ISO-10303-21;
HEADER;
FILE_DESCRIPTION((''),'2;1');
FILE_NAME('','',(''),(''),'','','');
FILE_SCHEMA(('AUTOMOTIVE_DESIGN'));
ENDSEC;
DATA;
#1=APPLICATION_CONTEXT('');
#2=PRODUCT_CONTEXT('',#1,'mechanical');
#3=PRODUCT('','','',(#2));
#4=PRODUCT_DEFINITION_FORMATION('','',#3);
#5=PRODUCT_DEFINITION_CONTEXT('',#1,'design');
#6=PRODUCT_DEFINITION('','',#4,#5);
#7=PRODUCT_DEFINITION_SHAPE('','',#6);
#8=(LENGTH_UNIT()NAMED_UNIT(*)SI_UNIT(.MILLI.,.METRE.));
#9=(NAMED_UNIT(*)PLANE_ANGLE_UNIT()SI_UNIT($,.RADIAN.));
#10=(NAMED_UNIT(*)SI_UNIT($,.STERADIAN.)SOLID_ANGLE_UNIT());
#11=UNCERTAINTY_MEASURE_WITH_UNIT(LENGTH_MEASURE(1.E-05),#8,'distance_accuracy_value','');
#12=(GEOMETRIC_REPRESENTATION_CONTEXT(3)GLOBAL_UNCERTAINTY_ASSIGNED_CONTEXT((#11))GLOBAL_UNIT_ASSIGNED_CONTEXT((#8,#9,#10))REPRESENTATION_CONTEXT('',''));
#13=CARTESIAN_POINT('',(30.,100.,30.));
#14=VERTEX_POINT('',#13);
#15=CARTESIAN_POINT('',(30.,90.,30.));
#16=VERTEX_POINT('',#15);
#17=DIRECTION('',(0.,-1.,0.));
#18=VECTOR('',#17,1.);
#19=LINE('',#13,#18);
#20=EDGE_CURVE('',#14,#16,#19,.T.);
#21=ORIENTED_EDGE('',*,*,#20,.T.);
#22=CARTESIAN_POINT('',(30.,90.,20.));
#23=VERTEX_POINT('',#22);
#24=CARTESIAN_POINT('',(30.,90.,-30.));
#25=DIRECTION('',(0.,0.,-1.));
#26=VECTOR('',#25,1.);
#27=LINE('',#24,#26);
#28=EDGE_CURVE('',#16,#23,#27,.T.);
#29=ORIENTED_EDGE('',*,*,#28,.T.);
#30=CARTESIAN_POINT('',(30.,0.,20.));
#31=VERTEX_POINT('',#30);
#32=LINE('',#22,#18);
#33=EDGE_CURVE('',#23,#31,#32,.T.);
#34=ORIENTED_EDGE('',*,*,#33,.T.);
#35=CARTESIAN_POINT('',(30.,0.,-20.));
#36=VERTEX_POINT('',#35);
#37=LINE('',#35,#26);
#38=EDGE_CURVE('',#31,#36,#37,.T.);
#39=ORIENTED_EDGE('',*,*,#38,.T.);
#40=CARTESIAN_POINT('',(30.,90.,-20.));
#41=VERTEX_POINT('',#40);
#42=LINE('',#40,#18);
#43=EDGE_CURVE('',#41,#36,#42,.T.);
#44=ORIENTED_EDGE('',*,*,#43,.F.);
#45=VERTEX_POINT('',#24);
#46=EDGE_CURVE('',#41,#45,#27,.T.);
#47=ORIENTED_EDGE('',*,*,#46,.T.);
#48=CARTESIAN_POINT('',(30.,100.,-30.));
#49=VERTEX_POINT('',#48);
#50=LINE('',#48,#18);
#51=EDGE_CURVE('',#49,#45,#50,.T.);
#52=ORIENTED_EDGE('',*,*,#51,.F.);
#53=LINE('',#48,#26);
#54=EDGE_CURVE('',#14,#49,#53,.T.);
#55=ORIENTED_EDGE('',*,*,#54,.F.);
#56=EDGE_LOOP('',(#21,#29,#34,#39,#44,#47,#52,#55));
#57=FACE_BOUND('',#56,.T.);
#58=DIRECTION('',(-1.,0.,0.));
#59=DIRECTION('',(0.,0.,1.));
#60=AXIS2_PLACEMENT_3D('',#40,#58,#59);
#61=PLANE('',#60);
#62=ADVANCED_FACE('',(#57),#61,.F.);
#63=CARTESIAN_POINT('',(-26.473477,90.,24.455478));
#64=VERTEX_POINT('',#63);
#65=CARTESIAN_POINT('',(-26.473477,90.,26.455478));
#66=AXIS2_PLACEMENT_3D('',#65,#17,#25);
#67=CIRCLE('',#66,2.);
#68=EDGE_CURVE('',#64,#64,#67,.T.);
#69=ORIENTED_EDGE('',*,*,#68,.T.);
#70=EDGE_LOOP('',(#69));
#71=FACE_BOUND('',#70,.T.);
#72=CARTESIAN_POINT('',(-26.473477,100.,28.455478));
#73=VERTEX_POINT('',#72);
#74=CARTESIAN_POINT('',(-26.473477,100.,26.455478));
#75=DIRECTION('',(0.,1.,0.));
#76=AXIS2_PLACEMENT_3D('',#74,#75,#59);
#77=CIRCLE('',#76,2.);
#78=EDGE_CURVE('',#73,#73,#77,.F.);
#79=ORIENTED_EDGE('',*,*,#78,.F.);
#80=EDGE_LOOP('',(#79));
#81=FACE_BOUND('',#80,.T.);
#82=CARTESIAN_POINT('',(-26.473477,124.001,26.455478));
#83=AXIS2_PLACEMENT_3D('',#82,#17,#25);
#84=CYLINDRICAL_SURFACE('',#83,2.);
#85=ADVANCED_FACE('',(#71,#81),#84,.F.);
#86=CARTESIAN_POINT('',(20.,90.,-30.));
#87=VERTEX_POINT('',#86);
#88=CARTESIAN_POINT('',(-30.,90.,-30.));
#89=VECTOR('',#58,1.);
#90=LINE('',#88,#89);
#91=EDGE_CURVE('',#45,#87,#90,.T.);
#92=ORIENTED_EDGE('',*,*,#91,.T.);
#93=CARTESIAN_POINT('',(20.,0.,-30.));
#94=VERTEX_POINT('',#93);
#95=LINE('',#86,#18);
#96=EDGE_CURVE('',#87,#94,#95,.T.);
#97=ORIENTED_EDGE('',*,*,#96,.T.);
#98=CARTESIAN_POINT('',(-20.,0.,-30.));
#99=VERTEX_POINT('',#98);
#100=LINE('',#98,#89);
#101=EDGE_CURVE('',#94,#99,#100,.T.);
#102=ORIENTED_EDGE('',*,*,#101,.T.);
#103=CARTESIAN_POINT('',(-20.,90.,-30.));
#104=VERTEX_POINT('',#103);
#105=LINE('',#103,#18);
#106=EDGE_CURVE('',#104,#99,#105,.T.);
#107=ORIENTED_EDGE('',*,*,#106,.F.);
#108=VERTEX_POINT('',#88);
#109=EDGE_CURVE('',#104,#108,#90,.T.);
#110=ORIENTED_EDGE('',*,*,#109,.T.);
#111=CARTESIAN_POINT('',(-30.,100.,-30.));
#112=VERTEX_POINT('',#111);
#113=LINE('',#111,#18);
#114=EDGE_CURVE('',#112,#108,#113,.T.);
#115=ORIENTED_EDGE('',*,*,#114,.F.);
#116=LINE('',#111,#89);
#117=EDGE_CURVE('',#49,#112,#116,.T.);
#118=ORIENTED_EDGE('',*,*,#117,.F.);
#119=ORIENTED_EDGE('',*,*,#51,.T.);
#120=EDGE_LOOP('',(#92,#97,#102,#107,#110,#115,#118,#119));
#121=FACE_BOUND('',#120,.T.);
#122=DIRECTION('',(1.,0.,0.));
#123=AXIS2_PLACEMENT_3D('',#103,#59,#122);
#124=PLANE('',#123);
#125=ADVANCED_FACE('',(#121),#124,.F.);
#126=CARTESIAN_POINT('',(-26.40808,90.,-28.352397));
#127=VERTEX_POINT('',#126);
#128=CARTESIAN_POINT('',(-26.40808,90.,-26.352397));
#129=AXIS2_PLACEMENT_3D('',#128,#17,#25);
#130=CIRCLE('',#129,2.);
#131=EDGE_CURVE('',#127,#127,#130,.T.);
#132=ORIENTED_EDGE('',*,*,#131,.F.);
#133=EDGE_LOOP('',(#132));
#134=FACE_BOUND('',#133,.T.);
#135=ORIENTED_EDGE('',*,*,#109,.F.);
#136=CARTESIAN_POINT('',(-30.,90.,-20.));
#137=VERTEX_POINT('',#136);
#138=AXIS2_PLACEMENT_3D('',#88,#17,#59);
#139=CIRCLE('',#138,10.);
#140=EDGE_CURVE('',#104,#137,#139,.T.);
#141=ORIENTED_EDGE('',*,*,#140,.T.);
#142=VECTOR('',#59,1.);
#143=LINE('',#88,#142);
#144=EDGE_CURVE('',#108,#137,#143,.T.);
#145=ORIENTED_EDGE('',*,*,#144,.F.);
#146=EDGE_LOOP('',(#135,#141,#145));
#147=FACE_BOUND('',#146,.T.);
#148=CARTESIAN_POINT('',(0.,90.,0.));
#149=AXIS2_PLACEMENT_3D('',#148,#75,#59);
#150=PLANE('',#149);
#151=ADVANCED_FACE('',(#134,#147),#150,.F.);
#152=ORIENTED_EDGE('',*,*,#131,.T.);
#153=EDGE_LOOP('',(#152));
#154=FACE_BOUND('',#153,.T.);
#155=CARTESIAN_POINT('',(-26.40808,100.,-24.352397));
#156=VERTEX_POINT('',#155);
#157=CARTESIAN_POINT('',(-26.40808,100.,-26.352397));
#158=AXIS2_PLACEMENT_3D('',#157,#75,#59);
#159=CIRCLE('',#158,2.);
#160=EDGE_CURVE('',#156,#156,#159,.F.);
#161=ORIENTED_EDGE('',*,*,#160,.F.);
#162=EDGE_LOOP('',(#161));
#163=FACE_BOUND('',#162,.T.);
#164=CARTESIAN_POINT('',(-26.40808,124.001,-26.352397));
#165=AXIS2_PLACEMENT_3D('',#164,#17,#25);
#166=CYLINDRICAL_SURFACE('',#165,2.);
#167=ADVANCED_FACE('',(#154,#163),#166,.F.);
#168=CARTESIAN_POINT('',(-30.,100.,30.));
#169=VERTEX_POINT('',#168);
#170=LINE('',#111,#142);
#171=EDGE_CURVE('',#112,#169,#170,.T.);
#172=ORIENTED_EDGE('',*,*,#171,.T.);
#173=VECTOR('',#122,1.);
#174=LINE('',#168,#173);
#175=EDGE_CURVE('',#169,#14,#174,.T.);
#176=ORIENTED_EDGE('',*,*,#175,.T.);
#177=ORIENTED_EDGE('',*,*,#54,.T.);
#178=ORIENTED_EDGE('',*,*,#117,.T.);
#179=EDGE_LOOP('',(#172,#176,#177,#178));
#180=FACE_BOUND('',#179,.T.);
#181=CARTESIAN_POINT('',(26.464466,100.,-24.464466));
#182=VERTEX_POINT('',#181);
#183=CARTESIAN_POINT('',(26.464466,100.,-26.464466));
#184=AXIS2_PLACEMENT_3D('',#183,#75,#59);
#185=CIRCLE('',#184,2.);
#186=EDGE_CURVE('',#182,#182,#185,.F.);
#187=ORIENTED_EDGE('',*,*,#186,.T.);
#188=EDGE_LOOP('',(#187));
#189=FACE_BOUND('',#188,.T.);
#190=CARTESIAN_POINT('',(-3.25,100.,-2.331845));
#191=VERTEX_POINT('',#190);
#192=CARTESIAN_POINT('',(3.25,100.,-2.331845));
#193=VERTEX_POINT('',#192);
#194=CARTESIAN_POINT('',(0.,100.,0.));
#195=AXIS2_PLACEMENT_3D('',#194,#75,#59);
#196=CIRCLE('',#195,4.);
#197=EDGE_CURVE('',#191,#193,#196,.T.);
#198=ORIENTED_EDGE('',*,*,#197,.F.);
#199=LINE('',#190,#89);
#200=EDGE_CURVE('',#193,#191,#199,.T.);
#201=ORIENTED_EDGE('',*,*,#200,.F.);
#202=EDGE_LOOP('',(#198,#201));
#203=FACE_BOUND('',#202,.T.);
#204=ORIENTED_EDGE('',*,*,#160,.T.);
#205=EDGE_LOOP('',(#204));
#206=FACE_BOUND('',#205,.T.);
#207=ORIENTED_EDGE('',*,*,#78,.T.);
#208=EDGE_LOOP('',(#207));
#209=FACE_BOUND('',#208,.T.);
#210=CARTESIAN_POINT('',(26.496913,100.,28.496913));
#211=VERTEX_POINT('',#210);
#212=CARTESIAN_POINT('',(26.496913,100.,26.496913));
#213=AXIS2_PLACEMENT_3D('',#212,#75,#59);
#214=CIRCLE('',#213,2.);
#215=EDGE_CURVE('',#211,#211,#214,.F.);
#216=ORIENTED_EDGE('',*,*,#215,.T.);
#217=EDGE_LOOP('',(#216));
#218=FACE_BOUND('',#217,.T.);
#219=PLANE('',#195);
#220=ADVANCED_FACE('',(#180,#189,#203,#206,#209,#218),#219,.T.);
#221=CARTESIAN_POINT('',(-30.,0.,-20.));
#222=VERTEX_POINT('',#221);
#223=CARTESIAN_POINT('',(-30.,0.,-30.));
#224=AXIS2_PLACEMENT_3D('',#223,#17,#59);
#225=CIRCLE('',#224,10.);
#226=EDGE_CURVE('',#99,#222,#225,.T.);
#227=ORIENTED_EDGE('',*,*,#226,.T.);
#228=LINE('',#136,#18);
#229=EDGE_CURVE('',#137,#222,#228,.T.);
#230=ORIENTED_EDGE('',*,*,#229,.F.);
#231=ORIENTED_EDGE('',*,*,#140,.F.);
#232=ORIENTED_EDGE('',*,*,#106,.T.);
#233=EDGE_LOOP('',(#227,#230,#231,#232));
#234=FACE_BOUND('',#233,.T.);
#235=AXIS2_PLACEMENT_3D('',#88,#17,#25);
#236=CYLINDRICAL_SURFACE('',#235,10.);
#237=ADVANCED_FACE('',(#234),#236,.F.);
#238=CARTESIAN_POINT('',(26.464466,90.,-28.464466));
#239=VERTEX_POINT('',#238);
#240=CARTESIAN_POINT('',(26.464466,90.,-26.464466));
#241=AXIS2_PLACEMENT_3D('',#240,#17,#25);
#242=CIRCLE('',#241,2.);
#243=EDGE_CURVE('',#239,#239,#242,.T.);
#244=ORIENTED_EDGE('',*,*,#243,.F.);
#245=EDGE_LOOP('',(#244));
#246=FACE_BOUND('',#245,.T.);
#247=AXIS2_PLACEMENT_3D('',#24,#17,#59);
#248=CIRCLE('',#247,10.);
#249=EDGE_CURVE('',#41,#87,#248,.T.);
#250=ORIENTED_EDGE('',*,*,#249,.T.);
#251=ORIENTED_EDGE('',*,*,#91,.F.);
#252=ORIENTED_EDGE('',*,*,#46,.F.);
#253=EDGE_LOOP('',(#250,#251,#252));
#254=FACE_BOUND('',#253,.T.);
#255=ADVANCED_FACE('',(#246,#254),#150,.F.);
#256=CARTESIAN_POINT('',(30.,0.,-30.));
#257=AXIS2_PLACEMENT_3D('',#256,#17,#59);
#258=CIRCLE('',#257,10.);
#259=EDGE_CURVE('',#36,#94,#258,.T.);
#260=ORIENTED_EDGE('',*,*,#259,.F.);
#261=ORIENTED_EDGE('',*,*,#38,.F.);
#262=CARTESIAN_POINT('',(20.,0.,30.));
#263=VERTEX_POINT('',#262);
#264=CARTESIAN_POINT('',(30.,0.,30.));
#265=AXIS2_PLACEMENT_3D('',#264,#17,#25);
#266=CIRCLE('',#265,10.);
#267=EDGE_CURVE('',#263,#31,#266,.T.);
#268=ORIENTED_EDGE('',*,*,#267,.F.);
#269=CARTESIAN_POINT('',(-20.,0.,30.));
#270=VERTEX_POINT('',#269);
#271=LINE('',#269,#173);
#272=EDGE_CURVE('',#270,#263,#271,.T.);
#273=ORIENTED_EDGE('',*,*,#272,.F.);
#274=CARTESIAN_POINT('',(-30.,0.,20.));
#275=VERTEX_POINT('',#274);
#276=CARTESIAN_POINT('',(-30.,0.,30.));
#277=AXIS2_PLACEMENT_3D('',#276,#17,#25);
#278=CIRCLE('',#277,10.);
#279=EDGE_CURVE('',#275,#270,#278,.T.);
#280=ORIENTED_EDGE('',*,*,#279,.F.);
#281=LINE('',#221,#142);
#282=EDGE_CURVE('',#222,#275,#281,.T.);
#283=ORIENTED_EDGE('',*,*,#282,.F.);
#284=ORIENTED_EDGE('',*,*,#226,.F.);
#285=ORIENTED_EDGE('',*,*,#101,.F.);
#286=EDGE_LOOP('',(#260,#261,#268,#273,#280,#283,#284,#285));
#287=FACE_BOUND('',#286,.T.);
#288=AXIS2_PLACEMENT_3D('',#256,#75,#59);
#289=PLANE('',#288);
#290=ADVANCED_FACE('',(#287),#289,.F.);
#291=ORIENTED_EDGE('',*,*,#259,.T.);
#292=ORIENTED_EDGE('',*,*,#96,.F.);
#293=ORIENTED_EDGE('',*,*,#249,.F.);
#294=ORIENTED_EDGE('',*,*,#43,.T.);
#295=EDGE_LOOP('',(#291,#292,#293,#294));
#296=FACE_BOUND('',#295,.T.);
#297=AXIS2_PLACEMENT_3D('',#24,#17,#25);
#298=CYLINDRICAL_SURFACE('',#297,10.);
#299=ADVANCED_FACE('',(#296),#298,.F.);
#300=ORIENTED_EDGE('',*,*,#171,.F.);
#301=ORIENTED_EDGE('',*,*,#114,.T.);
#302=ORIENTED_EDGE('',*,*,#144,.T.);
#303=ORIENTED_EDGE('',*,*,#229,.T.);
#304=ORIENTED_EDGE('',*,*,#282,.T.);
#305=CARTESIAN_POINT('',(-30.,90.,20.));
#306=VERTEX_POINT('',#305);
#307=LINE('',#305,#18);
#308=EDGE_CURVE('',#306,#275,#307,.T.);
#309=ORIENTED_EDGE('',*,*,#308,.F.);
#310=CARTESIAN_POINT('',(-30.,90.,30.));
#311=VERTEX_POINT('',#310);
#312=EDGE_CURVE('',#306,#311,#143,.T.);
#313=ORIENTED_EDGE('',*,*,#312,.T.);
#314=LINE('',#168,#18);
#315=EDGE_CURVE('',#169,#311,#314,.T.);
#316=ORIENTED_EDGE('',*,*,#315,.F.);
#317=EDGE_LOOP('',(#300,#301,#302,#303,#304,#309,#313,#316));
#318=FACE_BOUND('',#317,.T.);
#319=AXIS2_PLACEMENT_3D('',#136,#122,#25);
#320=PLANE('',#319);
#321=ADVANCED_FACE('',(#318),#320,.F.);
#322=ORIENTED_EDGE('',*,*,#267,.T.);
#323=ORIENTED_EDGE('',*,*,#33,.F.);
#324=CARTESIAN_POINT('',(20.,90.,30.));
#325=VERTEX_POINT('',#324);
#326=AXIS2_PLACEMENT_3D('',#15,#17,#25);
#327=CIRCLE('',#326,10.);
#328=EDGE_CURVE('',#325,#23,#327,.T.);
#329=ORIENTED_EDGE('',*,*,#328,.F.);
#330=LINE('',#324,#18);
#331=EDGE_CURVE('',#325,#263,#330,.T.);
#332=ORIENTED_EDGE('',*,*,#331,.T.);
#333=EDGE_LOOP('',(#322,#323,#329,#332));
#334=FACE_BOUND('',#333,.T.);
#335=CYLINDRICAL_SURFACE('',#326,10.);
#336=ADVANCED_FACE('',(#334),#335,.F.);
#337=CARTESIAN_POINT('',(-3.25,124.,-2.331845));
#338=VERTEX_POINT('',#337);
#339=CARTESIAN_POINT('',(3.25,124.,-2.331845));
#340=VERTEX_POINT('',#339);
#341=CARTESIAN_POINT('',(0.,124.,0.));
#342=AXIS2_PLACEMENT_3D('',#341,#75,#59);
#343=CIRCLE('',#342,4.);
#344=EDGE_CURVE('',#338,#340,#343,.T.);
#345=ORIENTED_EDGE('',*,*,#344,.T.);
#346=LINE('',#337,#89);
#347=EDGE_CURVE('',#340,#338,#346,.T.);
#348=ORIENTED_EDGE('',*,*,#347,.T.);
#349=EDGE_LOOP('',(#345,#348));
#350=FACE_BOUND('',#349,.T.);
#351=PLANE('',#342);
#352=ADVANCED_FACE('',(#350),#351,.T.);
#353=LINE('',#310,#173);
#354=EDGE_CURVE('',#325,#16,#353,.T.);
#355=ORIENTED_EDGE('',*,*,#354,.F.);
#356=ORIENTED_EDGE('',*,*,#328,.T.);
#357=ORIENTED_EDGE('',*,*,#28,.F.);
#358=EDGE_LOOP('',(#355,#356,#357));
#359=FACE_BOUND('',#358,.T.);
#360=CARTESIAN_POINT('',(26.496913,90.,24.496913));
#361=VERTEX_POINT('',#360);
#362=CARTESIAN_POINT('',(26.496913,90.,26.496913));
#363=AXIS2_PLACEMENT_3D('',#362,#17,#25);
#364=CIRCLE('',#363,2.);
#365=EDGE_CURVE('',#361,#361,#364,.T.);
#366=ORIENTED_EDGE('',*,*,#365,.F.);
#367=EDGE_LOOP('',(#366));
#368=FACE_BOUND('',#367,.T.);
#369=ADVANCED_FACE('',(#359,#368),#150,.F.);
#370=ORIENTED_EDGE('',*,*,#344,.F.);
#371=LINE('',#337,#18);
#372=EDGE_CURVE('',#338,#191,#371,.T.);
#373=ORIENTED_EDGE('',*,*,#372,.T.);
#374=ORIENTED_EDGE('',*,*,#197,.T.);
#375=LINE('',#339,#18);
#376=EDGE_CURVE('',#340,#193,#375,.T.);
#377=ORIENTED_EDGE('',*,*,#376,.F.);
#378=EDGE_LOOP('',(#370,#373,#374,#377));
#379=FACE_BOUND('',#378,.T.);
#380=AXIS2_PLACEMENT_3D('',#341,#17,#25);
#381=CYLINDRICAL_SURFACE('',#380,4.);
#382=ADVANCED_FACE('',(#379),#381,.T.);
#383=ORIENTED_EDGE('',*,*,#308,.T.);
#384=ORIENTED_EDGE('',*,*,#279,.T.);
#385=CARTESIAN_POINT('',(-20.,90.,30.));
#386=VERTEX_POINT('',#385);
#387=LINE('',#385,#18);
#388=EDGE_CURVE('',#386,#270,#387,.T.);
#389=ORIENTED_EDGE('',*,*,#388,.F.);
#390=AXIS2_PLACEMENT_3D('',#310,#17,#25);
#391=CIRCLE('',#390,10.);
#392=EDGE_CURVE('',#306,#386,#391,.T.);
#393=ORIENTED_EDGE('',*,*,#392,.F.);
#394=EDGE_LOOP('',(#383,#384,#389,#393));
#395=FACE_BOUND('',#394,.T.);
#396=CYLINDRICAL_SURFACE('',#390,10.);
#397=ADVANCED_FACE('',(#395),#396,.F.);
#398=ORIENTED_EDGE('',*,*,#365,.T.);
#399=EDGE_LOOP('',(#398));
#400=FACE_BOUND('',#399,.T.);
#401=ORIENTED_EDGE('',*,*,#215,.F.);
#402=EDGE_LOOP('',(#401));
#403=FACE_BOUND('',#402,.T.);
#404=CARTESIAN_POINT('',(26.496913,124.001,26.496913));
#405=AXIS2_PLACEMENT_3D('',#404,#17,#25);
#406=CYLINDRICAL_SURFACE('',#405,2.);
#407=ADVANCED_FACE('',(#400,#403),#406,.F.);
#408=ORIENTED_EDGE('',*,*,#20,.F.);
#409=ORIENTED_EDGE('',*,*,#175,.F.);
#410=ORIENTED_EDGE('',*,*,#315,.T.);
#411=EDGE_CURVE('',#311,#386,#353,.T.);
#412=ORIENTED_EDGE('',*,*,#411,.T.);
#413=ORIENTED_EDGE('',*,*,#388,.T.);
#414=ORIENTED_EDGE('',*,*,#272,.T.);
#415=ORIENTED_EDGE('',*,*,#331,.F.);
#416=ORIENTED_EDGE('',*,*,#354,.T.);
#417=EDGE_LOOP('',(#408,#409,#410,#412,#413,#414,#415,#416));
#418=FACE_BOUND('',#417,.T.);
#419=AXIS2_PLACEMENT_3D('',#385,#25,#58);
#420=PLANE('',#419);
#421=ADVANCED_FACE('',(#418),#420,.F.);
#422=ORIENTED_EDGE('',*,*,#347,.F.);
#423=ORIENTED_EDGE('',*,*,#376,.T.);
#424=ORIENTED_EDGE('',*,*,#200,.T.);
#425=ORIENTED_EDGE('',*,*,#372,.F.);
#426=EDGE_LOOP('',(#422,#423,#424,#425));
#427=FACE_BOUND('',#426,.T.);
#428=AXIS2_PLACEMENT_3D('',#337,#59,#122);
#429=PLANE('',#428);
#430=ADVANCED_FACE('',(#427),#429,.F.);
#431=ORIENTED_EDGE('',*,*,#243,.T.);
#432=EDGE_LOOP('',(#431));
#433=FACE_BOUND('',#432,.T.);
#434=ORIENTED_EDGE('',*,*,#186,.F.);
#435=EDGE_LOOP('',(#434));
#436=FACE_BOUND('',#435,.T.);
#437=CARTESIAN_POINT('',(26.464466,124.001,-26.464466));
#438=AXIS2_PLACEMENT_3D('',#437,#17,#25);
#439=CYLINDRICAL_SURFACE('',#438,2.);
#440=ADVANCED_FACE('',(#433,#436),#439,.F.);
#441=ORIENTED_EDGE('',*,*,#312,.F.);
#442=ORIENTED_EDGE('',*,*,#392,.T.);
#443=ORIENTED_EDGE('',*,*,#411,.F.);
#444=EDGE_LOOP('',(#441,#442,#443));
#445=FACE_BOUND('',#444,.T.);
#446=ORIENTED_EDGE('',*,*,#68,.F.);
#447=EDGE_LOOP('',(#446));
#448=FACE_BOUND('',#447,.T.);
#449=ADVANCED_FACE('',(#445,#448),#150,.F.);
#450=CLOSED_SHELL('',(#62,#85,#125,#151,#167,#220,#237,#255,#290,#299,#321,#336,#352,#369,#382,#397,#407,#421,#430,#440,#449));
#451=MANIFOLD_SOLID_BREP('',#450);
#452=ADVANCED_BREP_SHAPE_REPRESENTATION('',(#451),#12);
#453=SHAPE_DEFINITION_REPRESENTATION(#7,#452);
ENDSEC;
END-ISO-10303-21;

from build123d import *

# Parameters (mm, degrees)
BOSS_EXTRUDE3_DEPTH = 90
SKETCH3_W           = 60
SKETCH3_H           = 60
BOSS_EXTRUDE4_DEPTH = 10
BOSS_EXTRUDE5_DEPTH = 24
CUT_EXTRUDE1_REACH  = 101.499
SKETCH6_R           = 2
CUT_EXTRUDE2_REACH  = 101.499
SKETCH7_R           = 2
CUT_EXTRUDE3_REACH  = 101.499
SKETCH9_R           = 2
CUT_EXTRUDE4_REACH  = 101.499
SKETCH10_R          = 2


with BuildPart() as part:
    # Sketch1 → Boss-Extrude3 (new body)
    with BuildSketch(Plane(origin=(0, 0, 0), x_dir=(1, 0, 0), z_dir=(0, 1, 0))):
        with BuildLine():
            Line((-20, 30), (20, 30))
            ThreePointArc((20, 30), (22.928932188, 22.928932188), (30, 20))
            Line((30, 20), (30, -20))
            ThreePointArc((30, -20), (22.928932188, -22.928932188), (20, -30))
            Line((20, -30), (-20, -30))
            ThreePointArc((-20, -30), (-22.928932188, -22.928932188), (-30, -20))
            Line((-30, -20), (-30, 20))
            ThreePointArc((-30, 20), (-22.928932188, 22.928932188), (-20, 30))
        make_face()
    extrude(amount=BOSS_EXTRUDE3_DEPTH)

    # Sketch3 → Boss-Extrude4 (add)
    with BuildSketch(Plane(origin=(0, 90, 0), x_dir=(1, 0, 0), z_dir=(0, 1, 0))):
        Rectangle(SKETCH3_W, SKETCH3_H)
    extrude(amount=BOSS_EXTRUDE4_DEPTH)

    # Sketch4 → Boss-Extrude5 (add)
    with BuildSketch(Plane(origin=(0, 100, 0), x_dir=(1, 0, 0), z_dir=(0, 1, 0))):
        with BuildLine():
            Line((-3.25, 2.331844763), (3.25, 2.331844763))
            ThreePointArc((3.25, 2.331844763), (0, -4), (-3.25, 2.331844763))
        make_face()
    extrude(amount=BOSS_EXTRUDE5_DEPTH)

    # Sketch6 → Cut-Extrude1 (cut, up to next)
    with BuildSketch(Plane.XZ.offset(-90), mode=Mode.PRIVATE) as cut_extrude1_sk1:
        with Locations(Location((-26.408079858, -26.352396966, 0), (0, 0, 270))):
            Circle(SKETCH6_R)
    cut_extrude1_tool1 = extrude(cut_extrude1_sk1.sketch, amount=-CUT_EXTRUDE1_REACH, mode=Mode.PRIVATE) & part.part
    add(cut_extrude1_tool1.solids().sort_by_distance((-26.40808, 90, -26.352397))[0], mode=Mode.SUBTRACT)

    # Sketch7 → Cut-Extrude2 (cut, up to next)
    with BuildSketch(Plane.XZ.offset(-90), mode=Mode.PRIVATE) as cut_extrude2_sk1:
        with Locations(Location((-26.47347716, 26.455477937, 0), (0, 0, 270))):
            Circle(SKETCH7_R)
    cut_extrude2_tool1 = extrude(cut_extrude2_sk1.sketch, amount=-CUT_EXTRUDE2_REACH, mode=Mode.PRIVATE) & part.part
    add(cut_extrude2_tool1.solids().sort_by_distance((-26.473477, 90, 26.455478))[0], mode=Mode.SUBTRACT)

    # Sketch9 → Cut-Extrude3 (cut, up to next)
    with BuildSketch(Plane.XZ.offset(-90), mode=Mode.PRIVATE) as cut_extrude3_sk1:
        with Locations(Location((26.496913455, 26.496913455, 0), (0, 0, 270))):
            Circle(SKETCH9_R)
    cut_extrude3_tool1 = extrude(cut_extrude3_sk1.sketch, amount=-CUT_EXTRUDE3_REACH, mode=Mode.PRIVATE) & part.part
    add(cut_extrude3_tool1.solids().sort_by_distance((26.496913, 90, 26.496913))[0], mode=Mode.SUBTRACT)

    # Sketch10 → Cut-Extrude4 (cut, up to next)
    with BuildSketch(Plane.XZ.offset(-90), mode=Mode.PRIVATE) as cut_extrude4_sk1:
        with Locations(Location((26.464466094, -26.464466094, 0), (0, 0, 270))):
            Circle(SKETCH10_R)
    cut_extrude4_tool1 = extrude(cut_extrude4_sk1.sketch, amount=-CUT_EXTRUDE4_REACH, mode=Mode.PRIVATE) & part.part
    add(cut_extrude4_tool1.solids().sort_by_distance((26.464466, 90, -26.464466))[0], mode=Mode.SUBTRACT)


solid = part.part
